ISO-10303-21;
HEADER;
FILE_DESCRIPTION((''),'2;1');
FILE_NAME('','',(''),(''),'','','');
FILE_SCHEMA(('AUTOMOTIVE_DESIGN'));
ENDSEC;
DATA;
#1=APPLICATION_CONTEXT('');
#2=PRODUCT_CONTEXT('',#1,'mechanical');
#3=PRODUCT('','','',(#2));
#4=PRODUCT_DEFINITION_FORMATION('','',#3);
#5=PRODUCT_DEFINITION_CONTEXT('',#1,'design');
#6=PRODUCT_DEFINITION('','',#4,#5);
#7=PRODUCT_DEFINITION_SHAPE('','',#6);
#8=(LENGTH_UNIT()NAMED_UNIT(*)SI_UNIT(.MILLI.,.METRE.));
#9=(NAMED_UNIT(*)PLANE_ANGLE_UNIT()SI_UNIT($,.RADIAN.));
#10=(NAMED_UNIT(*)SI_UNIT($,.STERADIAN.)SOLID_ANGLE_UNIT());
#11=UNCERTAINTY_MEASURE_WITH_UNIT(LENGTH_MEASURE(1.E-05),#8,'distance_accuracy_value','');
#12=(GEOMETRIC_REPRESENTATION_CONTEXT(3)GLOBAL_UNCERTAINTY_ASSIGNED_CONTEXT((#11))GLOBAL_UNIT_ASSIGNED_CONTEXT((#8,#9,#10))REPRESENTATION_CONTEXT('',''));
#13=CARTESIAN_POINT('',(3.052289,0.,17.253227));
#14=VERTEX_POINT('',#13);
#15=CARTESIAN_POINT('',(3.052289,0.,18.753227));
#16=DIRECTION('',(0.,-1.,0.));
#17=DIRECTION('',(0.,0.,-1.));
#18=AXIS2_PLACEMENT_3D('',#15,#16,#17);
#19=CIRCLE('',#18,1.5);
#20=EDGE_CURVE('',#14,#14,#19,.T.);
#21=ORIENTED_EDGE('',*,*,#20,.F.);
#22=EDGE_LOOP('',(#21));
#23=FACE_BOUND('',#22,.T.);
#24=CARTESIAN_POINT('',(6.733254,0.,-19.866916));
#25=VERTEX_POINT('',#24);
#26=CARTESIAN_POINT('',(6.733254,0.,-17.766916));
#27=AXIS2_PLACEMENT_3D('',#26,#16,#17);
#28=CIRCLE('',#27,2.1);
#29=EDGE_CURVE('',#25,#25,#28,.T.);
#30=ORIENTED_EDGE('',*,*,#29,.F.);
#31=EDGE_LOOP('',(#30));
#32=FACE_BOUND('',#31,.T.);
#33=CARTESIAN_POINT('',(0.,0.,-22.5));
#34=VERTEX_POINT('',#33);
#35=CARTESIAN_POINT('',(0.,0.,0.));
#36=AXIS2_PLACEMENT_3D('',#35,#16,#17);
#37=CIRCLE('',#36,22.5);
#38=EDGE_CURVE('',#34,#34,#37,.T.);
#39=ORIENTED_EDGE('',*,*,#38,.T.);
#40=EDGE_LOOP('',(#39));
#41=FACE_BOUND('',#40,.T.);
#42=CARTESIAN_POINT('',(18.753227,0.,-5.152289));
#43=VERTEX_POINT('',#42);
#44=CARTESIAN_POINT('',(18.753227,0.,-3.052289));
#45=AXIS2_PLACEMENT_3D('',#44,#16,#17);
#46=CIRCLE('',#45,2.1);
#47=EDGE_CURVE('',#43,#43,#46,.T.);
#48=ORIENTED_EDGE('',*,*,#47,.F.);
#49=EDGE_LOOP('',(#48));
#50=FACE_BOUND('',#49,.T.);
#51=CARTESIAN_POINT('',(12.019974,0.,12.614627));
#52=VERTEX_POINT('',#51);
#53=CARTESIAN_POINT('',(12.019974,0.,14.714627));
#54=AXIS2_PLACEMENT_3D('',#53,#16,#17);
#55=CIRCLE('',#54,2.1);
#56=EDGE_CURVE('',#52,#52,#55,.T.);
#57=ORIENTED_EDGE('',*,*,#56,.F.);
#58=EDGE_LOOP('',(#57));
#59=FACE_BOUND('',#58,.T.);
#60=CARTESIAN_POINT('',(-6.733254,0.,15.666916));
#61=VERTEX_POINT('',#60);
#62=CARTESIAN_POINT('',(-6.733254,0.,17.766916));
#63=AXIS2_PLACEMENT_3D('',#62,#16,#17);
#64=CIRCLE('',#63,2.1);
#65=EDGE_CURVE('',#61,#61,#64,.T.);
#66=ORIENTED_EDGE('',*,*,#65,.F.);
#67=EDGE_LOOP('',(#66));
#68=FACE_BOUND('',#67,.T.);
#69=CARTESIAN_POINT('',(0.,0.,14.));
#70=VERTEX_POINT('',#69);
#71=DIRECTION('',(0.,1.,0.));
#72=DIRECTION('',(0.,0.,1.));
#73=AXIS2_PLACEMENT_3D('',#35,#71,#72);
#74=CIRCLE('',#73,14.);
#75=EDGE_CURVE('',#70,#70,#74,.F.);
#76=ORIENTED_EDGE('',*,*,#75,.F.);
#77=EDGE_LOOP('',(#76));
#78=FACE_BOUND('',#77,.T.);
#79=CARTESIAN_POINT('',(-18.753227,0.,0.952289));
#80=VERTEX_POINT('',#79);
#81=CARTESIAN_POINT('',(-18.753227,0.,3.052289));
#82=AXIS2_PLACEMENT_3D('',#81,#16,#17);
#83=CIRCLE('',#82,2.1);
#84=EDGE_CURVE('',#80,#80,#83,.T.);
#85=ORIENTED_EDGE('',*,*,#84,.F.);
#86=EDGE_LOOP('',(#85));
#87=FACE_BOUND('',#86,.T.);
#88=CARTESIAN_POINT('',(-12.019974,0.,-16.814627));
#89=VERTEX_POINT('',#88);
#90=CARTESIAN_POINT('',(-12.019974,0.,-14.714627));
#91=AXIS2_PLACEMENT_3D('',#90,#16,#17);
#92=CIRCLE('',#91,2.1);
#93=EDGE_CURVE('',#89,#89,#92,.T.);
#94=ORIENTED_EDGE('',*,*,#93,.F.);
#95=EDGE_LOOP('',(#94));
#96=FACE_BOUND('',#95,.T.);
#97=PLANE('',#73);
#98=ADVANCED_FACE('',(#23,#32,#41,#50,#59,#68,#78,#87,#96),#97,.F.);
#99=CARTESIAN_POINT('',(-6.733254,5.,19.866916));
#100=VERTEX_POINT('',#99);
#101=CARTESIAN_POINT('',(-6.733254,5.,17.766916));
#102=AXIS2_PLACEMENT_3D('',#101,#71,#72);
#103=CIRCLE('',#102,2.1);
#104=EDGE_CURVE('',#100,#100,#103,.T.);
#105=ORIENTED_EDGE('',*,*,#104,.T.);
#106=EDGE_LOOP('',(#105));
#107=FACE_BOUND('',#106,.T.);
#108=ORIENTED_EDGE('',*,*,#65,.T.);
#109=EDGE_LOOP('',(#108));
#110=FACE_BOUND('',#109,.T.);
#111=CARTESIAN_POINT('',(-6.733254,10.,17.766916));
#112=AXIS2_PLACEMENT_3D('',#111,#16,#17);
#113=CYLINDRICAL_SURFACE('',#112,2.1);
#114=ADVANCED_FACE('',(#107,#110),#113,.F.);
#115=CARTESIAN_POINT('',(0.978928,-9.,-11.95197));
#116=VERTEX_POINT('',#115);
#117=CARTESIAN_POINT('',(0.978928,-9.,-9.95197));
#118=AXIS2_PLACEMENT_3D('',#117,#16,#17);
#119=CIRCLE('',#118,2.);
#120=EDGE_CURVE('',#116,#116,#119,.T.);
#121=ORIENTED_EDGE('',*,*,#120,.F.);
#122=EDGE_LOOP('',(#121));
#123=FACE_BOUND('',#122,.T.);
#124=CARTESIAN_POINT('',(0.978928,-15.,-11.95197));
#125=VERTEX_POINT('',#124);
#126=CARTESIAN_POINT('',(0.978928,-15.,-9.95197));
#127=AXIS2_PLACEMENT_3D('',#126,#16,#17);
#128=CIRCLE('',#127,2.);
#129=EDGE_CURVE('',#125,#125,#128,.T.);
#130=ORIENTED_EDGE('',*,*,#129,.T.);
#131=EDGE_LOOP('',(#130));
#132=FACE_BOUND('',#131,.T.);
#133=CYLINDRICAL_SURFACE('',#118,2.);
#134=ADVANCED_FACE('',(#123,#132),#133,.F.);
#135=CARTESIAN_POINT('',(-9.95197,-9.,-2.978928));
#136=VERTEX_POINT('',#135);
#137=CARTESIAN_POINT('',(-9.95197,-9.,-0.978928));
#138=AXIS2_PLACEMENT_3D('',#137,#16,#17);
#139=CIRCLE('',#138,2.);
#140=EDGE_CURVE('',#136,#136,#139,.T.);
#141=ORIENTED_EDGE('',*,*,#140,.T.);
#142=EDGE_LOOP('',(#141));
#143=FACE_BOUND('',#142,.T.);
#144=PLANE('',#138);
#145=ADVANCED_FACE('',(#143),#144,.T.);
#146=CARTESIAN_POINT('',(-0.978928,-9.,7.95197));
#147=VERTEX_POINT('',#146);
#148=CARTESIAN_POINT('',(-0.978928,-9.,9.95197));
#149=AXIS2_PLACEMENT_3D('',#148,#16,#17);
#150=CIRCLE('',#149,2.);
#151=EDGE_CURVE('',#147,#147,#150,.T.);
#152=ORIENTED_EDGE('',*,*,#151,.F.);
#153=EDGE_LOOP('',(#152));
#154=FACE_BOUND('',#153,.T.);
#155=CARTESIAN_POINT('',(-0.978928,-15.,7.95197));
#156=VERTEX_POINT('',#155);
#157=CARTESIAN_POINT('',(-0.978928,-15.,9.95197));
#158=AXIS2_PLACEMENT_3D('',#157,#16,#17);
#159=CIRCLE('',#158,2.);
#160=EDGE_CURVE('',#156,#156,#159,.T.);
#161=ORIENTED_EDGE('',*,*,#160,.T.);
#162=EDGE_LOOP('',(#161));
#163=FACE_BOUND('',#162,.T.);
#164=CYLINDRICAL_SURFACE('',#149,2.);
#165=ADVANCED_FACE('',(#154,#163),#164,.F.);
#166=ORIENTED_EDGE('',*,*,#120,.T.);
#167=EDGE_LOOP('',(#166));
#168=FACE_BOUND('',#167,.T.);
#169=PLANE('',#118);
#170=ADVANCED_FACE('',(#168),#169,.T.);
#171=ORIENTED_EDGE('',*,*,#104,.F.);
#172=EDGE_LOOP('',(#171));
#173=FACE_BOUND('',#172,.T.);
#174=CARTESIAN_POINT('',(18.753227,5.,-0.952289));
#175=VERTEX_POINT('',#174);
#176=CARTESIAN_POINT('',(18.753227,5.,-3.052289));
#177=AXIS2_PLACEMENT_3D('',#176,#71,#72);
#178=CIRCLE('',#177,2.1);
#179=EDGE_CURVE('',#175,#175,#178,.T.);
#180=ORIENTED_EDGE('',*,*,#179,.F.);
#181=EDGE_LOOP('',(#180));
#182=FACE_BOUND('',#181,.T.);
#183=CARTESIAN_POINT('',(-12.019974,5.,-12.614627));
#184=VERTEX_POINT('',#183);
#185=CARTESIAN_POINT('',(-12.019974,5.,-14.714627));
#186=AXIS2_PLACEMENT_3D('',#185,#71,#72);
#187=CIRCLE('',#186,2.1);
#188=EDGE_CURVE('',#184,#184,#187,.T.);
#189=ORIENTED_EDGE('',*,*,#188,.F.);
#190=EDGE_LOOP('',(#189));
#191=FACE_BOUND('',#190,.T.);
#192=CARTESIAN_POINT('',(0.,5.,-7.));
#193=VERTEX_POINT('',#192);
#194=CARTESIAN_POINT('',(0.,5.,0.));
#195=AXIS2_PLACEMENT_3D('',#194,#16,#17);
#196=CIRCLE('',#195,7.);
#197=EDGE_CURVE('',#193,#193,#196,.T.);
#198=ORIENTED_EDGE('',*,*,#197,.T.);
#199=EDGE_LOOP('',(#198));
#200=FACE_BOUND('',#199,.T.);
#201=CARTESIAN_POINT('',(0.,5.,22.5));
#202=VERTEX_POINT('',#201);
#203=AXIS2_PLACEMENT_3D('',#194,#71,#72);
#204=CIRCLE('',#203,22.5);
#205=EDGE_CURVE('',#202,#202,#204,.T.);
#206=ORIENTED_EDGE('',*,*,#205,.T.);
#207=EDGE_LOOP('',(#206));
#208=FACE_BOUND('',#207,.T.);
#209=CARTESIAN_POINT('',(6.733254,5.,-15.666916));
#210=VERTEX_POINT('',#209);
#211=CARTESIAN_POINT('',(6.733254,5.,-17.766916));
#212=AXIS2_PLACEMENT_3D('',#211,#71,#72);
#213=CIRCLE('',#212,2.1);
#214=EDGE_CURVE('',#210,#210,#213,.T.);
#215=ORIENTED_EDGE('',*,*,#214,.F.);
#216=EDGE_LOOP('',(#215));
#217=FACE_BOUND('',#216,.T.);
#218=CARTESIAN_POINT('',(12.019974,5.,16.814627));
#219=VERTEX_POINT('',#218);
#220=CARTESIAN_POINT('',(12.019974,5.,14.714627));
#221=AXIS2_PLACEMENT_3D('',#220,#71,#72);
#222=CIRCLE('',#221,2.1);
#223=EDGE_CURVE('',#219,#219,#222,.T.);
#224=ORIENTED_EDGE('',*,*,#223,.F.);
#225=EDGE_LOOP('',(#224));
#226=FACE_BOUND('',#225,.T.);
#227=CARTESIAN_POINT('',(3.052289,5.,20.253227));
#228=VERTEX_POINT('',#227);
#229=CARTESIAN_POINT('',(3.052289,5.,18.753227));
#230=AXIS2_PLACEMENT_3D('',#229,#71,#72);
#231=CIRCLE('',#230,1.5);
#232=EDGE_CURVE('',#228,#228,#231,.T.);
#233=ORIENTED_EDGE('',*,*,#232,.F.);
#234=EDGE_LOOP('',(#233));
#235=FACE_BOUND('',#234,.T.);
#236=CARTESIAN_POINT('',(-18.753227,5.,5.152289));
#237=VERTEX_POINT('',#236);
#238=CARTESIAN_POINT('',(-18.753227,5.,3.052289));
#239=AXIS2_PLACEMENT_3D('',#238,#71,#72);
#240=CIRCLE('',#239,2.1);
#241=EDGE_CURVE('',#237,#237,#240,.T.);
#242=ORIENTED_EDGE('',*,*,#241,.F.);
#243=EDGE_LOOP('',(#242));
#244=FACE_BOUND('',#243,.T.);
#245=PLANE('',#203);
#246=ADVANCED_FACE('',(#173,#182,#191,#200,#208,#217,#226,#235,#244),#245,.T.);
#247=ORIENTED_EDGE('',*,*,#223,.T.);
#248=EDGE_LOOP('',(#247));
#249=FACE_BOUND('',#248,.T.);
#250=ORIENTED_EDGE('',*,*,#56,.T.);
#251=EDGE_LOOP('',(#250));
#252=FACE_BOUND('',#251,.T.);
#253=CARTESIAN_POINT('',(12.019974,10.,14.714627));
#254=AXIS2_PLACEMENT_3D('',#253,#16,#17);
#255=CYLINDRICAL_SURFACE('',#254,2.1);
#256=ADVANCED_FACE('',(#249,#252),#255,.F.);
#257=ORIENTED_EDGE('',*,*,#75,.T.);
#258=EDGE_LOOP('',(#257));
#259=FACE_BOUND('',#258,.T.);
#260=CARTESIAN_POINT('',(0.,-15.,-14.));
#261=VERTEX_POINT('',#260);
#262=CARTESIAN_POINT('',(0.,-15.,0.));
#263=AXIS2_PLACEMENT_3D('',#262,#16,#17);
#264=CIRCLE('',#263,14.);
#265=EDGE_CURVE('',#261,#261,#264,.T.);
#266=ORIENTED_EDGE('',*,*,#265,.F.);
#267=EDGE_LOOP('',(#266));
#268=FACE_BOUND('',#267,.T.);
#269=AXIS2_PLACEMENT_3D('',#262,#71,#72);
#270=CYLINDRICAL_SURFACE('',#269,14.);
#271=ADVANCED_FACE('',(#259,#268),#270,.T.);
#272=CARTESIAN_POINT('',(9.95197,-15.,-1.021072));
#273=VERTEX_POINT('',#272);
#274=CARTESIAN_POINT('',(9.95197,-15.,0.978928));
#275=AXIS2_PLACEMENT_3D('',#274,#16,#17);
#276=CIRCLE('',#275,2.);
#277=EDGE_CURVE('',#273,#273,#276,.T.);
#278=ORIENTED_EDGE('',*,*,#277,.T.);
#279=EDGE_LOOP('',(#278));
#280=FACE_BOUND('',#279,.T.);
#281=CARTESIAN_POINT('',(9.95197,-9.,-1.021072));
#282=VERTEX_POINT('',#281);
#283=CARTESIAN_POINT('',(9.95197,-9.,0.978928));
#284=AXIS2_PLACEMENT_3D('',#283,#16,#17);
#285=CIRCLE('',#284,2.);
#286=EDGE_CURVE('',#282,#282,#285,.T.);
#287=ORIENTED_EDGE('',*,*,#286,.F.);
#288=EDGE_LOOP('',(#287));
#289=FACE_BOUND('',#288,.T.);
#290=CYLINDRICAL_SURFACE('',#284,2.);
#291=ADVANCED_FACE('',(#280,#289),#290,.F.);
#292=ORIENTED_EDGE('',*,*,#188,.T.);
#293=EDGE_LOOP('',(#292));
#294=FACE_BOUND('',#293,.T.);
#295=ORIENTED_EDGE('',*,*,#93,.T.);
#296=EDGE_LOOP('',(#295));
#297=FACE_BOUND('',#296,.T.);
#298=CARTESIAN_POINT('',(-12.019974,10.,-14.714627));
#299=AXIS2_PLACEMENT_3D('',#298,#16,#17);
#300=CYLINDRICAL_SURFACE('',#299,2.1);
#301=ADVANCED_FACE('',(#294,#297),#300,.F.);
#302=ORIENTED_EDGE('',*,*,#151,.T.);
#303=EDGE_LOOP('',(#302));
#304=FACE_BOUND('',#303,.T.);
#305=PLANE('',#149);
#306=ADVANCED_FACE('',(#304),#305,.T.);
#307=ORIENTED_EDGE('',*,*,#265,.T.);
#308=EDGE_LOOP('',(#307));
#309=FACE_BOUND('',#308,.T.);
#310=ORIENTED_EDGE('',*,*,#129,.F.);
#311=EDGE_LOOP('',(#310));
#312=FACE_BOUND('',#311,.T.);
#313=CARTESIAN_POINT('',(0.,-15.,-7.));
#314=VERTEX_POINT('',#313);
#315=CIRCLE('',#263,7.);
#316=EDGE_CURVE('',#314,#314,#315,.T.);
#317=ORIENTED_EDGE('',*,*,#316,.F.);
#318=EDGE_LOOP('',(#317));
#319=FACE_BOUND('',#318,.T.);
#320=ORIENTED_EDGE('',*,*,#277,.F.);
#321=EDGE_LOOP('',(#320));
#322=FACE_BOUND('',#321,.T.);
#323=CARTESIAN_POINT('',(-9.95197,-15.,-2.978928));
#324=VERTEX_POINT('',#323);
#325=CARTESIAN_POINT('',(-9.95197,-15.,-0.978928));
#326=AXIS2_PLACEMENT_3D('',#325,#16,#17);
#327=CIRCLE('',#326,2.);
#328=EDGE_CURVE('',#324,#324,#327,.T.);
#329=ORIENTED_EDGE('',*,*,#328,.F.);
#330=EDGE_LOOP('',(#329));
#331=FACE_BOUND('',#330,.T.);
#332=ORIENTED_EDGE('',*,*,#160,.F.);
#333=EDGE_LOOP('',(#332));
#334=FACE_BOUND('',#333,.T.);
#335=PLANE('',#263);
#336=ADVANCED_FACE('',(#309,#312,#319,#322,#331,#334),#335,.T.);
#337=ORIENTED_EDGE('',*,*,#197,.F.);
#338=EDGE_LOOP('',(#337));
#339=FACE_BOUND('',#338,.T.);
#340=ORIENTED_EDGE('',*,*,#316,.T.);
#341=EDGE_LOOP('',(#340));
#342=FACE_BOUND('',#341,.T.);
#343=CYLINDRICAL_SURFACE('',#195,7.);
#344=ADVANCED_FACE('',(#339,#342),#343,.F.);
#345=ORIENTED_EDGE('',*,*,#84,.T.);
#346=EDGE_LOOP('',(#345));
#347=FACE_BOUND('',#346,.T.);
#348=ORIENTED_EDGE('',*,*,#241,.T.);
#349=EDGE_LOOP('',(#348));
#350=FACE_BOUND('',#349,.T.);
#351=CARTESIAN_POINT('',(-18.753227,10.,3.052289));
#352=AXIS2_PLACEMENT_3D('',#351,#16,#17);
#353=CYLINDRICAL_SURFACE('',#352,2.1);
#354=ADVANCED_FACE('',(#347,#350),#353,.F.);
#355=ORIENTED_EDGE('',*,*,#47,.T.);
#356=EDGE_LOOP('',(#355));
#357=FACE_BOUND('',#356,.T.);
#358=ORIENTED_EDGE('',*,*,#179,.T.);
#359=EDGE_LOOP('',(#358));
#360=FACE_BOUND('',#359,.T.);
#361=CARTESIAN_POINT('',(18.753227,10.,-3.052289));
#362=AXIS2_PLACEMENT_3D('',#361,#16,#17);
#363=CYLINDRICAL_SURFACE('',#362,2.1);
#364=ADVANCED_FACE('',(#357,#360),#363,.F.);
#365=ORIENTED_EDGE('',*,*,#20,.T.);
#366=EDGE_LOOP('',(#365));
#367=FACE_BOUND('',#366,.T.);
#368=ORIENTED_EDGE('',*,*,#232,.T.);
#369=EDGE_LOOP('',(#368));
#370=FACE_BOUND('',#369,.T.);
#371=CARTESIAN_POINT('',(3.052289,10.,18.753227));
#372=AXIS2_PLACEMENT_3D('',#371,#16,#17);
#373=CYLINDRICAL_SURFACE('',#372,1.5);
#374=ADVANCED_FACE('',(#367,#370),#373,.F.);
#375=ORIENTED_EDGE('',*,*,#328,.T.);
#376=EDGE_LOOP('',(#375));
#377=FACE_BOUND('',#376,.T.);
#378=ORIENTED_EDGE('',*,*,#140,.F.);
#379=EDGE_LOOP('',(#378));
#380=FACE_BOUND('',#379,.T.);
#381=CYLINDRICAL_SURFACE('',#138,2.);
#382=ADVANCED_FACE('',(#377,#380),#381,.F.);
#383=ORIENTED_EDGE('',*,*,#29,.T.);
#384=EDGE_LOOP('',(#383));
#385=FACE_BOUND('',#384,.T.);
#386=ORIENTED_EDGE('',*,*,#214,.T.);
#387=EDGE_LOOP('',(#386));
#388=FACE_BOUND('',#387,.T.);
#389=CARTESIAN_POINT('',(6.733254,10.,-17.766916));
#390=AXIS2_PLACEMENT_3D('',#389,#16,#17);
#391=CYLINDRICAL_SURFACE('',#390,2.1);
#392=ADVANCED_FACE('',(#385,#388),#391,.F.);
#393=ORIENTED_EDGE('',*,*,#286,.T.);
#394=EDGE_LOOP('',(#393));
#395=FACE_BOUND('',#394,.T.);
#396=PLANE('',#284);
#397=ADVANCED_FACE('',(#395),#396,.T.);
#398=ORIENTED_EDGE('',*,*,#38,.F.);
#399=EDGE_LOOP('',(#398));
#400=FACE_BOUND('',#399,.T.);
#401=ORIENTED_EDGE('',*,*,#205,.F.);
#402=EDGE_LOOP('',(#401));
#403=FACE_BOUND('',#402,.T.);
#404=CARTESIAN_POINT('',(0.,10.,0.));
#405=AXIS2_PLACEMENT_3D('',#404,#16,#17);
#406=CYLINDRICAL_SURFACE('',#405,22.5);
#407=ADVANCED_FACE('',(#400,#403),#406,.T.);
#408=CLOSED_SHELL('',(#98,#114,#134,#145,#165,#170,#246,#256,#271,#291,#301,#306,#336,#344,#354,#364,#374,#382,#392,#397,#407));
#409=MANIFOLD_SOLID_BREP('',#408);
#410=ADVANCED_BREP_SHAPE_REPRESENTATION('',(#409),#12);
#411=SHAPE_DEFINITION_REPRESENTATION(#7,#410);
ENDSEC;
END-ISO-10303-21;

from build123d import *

# Parameters (mm, degrees)
SKETCH1_R           = 30
BOSS_EXTRUDE1_DEPTH = 5
SKETCH2_R           = 30
SKETCH2_R_2         = 22.5
SKETCH2_R_3         = 2.1
SKETCH2_R_4         = 1.5
CUT_EXTRUDE1_DEPTH  = 10
SKETCH3_R           = 14
BOSS_EXTRUDE2_DEPTH = 15
SKETCH4_R           = 2
CUT_EXTRUDE2_DEPTH  = 6
SKETCH5_R           = 7
CUT_EXTRUDE3_DEPTH  = 38.583240946


with BuildPart() as part:
    # Sketch1 → Boss-Extrude1 (new body)
    with BuildSketch(Plane(origin=(0, 0, 0), x_dir=(1, 0, 0), z_dir=(0, 1, 0))):
        with Locations(Location((0, 0, 0), (0, 0, 270))):
            Circle(SKETCH1_R)
    extrude(amount=BOSS_EXTRUDE1_DEPTH)

    # Sketch2 → Cut-Extrude1 (cut)
    # profile 1 of 8: a face of its own
    with BuildSketch(Plane(origin=(0, 0, 0), x_dir=(-1, 0, 0), z_dir=(0, -1, 0))):
        Circle(SKETCH2_R)
        with Locations(Location((0, 0, 0), (0, 0, 90))):
            Circle(SKETCH2_R_2, mode=Mode.SUBTRACT)
    # profile 2 of 8: a face of its own
    with BuildSketch(Plane(origin=(0, 0, 0), x_dir=(-1, 0, 0), z_dir=(0, -1, 0))):
        with Locations(Location((12.019973653, 14.714626511, 0), (0, 0, 90))):
            Circle(SKETCH2_R_3)
    # profile 3 of 8: a face of its own
    with BuildSketch(Plane(origin=(0, 0, 0), x_dir=(-1, 0, 0), z_dir=(0, -1, 0))):
        with Locations(Location((-6.733253539, 17.766915792, 0), (0, 0, 90))):
            Circle(SKETCH2_R_3)
    # profile 4 of 8: a face of its own
    with BuildSketch(Plane(origin=(0, 0, 0), x_dir=(-1, 0, 0), z_dir=(0, -1, 0))):
        with Locations(Location((-18.753227193, 3.052289281, 0), (0, 0, 90))):
            Circle(SKETCH2_R_3)
    # profile 5 of 8: a face of its own
    with BuildSketch(Plane(origin=(0, 0, 0), x_dir=(-1, 0, 0), z_dir=(0, -1, 0))):
        with Locations(Location((-12.019973653, -14.714626511, 0), (0, 0, 90))):
            Circle(SKETCH2_R_3)
    # profile 6 of 8: a face of its own
    with BuildSketch(Plane(origin=(0, 0, 0), x_dir=(-1, 0, 0), z_dir=(0, -1, 0))):
        with Locations(Location((-3.052289281, -18.753227193, 0), (0, 0, 90))):
            Circle(SKETCH2_R_4)
    # profile 7 of 8: a face of its own
    with BuildSketch(Plane(origin=(0, 0, 0), x_dir=(-1, 0, 0), z_dir=(0, -1, 0))):
        with Locations(Location((6.733253539, -17.766915792, 0), (0, 0, 90))):
            Circle(SKETCH2_R_3)
    # profile 8 of 8: a face of its own
    with BuildSketch(Plane(origin=(0, 0, 0), x_dir=(-1, 0, 0), z_dir=(0, -1, 0))):
        with Locations(Location((18.753227193, -3.052289281, 0), (0, 0, 90))):
            Circle(SKETCH2_R_3)
    extrude(amount=-CUT_EXTRUDE1_DEPTH, mode=Mode.SUBTRACT)

    # Sketch3 → Boss-Extrude2 (add)
    with BuildSketch(Plane.XZ):
        with Locations(Location((0, 0, 0), (0, 0, 90))):
            Circle(SKETCH3_R)
    extrude(amount=BOSS_EXTRUDE2_DEPTH)

    # Sketch4 → Cut-Extrude2 (cut)
    with BuildSketch(Plane.XZ.offset(15)):
        with Locations(Location((-0.978927697, 9.951969683, 0), (0, 0, 270))):
            Circle(SKETCH4_R)
        with Locations(Location((-9.951969683, -0.978927697, 0), (0, 0, 270))):
            Circle(SKETCH4_R)
        with Locations(Location((0.978927697, -9.951969683, 0), (0, 0, 270))):
            Circle(SKETCH4_R)
        with Locations(Location((9.951969683, 0.978927697, 0), (0, 0, 270))):
            Circle(SKETCH4_R)
    extrude(amount=-CUT_EXTRUDE2_DEPTH, mode=Mode.SUBTRACT)

    # Sketch5 → Cut-Extrude3 (cut, through all)
    with BuildSketch(Plane.XZ.offset(15)):
        with Locations(Location((0, 0, 0), (0, 0, 270))):
            Circle(SKETCH5_R)
    extrude(amount=-CUT_EXTRUDE3_DEPTH, mode=Mode.SUBTRACT)


solid = part.part
